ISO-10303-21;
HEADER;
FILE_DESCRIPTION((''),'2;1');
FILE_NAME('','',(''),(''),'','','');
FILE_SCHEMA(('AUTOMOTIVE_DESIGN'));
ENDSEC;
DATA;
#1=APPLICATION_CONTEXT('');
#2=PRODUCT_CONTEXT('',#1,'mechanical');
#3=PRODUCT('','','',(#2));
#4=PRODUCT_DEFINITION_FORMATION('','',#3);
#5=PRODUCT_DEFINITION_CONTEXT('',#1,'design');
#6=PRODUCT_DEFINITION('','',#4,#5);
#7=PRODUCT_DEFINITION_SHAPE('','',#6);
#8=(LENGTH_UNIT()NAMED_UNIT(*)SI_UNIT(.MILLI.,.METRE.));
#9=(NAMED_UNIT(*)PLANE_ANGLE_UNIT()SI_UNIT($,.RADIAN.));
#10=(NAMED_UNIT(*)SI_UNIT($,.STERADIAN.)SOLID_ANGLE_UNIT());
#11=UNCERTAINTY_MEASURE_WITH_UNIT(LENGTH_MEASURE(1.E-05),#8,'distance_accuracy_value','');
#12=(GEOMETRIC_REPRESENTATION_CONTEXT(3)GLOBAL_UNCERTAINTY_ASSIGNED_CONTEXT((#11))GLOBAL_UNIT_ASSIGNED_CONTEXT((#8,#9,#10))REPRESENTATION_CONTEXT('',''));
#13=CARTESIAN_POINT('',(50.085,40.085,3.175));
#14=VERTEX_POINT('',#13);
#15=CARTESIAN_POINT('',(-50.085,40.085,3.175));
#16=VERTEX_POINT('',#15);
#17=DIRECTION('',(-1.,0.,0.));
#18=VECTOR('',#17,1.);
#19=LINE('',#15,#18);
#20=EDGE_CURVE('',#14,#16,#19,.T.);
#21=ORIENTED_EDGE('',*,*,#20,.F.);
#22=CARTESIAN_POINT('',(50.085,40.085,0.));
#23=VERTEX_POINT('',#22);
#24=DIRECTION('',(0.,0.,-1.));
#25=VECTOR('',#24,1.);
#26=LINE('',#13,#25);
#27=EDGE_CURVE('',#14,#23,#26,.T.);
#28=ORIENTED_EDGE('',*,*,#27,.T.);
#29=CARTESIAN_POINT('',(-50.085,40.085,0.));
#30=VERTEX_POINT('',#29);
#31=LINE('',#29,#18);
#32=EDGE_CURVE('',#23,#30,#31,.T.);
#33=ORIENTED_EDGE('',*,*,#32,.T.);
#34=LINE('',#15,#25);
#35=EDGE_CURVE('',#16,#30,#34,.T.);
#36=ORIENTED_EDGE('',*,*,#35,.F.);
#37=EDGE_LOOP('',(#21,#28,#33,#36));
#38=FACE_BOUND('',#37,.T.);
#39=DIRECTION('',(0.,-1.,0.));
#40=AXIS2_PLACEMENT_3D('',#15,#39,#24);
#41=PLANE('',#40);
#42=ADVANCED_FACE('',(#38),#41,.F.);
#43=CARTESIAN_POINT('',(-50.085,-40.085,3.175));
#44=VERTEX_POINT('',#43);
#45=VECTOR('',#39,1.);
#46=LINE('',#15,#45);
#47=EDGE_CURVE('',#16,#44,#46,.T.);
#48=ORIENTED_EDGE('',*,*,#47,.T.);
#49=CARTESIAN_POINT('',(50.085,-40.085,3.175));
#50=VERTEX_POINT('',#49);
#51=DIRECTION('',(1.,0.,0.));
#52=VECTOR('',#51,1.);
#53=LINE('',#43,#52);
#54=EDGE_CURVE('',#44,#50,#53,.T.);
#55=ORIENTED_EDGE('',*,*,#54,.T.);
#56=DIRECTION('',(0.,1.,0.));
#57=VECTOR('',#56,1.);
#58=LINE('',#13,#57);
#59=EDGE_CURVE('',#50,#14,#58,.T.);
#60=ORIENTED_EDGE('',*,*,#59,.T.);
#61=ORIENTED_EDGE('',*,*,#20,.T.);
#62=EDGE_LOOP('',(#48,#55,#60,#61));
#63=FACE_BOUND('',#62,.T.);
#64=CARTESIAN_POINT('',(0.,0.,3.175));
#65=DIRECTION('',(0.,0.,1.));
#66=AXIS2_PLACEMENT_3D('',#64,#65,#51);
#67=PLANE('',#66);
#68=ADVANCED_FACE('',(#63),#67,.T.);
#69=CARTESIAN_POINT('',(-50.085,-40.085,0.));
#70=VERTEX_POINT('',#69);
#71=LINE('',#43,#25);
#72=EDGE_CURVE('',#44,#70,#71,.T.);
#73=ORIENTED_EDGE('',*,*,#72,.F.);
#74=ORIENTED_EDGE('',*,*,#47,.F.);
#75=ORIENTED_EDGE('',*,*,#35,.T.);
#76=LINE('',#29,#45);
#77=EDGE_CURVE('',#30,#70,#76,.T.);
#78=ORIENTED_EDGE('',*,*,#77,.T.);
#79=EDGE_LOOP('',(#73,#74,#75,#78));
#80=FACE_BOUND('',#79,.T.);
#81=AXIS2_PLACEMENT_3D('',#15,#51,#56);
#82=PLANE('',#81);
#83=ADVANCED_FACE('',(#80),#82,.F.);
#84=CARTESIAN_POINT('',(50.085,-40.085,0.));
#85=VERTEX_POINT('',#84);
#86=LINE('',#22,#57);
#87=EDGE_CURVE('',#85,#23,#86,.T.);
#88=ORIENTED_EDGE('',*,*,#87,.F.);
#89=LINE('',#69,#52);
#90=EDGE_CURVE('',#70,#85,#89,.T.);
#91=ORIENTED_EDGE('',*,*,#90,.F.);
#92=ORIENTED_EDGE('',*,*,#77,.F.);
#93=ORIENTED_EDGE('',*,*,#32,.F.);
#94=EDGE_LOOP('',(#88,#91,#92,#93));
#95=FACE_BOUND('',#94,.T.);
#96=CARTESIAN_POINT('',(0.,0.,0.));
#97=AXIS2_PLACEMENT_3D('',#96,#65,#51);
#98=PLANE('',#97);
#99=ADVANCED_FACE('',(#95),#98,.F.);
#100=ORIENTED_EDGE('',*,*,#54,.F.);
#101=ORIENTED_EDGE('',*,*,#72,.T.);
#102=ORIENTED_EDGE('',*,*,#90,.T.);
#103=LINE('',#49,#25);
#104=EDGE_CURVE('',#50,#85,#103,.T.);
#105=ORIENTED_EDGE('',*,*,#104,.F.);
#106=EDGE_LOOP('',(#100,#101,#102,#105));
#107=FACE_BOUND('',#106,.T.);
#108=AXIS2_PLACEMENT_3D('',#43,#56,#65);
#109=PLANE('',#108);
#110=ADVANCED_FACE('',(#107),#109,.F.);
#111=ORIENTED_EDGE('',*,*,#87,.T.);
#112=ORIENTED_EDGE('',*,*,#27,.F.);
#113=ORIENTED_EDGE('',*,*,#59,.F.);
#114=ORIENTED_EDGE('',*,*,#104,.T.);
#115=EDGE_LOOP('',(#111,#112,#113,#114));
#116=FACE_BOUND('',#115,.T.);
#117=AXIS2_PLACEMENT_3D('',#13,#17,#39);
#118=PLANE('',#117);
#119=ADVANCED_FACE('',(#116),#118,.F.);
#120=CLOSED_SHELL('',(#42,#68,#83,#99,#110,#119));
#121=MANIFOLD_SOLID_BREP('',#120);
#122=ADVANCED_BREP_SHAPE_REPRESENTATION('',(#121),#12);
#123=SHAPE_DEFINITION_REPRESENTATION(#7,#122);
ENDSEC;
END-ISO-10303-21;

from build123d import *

# Parameters (mm, degrees)
SKETCH1_W           = 100.17
SKETCH1_H           = 80.17
BOSS_EXTRUDE1_DEPTH = 3.175


with BuildPart() as part:
    # Sketch1 → Boss-Extrude1 (new body)
    with BuildSketch(Plane.XY):
        Rectangle(SKETCH1_W, SKETCH1_H)
    extrude(amount=BOSS_EXTRUDE1_DEPTH)


solid = part.part
